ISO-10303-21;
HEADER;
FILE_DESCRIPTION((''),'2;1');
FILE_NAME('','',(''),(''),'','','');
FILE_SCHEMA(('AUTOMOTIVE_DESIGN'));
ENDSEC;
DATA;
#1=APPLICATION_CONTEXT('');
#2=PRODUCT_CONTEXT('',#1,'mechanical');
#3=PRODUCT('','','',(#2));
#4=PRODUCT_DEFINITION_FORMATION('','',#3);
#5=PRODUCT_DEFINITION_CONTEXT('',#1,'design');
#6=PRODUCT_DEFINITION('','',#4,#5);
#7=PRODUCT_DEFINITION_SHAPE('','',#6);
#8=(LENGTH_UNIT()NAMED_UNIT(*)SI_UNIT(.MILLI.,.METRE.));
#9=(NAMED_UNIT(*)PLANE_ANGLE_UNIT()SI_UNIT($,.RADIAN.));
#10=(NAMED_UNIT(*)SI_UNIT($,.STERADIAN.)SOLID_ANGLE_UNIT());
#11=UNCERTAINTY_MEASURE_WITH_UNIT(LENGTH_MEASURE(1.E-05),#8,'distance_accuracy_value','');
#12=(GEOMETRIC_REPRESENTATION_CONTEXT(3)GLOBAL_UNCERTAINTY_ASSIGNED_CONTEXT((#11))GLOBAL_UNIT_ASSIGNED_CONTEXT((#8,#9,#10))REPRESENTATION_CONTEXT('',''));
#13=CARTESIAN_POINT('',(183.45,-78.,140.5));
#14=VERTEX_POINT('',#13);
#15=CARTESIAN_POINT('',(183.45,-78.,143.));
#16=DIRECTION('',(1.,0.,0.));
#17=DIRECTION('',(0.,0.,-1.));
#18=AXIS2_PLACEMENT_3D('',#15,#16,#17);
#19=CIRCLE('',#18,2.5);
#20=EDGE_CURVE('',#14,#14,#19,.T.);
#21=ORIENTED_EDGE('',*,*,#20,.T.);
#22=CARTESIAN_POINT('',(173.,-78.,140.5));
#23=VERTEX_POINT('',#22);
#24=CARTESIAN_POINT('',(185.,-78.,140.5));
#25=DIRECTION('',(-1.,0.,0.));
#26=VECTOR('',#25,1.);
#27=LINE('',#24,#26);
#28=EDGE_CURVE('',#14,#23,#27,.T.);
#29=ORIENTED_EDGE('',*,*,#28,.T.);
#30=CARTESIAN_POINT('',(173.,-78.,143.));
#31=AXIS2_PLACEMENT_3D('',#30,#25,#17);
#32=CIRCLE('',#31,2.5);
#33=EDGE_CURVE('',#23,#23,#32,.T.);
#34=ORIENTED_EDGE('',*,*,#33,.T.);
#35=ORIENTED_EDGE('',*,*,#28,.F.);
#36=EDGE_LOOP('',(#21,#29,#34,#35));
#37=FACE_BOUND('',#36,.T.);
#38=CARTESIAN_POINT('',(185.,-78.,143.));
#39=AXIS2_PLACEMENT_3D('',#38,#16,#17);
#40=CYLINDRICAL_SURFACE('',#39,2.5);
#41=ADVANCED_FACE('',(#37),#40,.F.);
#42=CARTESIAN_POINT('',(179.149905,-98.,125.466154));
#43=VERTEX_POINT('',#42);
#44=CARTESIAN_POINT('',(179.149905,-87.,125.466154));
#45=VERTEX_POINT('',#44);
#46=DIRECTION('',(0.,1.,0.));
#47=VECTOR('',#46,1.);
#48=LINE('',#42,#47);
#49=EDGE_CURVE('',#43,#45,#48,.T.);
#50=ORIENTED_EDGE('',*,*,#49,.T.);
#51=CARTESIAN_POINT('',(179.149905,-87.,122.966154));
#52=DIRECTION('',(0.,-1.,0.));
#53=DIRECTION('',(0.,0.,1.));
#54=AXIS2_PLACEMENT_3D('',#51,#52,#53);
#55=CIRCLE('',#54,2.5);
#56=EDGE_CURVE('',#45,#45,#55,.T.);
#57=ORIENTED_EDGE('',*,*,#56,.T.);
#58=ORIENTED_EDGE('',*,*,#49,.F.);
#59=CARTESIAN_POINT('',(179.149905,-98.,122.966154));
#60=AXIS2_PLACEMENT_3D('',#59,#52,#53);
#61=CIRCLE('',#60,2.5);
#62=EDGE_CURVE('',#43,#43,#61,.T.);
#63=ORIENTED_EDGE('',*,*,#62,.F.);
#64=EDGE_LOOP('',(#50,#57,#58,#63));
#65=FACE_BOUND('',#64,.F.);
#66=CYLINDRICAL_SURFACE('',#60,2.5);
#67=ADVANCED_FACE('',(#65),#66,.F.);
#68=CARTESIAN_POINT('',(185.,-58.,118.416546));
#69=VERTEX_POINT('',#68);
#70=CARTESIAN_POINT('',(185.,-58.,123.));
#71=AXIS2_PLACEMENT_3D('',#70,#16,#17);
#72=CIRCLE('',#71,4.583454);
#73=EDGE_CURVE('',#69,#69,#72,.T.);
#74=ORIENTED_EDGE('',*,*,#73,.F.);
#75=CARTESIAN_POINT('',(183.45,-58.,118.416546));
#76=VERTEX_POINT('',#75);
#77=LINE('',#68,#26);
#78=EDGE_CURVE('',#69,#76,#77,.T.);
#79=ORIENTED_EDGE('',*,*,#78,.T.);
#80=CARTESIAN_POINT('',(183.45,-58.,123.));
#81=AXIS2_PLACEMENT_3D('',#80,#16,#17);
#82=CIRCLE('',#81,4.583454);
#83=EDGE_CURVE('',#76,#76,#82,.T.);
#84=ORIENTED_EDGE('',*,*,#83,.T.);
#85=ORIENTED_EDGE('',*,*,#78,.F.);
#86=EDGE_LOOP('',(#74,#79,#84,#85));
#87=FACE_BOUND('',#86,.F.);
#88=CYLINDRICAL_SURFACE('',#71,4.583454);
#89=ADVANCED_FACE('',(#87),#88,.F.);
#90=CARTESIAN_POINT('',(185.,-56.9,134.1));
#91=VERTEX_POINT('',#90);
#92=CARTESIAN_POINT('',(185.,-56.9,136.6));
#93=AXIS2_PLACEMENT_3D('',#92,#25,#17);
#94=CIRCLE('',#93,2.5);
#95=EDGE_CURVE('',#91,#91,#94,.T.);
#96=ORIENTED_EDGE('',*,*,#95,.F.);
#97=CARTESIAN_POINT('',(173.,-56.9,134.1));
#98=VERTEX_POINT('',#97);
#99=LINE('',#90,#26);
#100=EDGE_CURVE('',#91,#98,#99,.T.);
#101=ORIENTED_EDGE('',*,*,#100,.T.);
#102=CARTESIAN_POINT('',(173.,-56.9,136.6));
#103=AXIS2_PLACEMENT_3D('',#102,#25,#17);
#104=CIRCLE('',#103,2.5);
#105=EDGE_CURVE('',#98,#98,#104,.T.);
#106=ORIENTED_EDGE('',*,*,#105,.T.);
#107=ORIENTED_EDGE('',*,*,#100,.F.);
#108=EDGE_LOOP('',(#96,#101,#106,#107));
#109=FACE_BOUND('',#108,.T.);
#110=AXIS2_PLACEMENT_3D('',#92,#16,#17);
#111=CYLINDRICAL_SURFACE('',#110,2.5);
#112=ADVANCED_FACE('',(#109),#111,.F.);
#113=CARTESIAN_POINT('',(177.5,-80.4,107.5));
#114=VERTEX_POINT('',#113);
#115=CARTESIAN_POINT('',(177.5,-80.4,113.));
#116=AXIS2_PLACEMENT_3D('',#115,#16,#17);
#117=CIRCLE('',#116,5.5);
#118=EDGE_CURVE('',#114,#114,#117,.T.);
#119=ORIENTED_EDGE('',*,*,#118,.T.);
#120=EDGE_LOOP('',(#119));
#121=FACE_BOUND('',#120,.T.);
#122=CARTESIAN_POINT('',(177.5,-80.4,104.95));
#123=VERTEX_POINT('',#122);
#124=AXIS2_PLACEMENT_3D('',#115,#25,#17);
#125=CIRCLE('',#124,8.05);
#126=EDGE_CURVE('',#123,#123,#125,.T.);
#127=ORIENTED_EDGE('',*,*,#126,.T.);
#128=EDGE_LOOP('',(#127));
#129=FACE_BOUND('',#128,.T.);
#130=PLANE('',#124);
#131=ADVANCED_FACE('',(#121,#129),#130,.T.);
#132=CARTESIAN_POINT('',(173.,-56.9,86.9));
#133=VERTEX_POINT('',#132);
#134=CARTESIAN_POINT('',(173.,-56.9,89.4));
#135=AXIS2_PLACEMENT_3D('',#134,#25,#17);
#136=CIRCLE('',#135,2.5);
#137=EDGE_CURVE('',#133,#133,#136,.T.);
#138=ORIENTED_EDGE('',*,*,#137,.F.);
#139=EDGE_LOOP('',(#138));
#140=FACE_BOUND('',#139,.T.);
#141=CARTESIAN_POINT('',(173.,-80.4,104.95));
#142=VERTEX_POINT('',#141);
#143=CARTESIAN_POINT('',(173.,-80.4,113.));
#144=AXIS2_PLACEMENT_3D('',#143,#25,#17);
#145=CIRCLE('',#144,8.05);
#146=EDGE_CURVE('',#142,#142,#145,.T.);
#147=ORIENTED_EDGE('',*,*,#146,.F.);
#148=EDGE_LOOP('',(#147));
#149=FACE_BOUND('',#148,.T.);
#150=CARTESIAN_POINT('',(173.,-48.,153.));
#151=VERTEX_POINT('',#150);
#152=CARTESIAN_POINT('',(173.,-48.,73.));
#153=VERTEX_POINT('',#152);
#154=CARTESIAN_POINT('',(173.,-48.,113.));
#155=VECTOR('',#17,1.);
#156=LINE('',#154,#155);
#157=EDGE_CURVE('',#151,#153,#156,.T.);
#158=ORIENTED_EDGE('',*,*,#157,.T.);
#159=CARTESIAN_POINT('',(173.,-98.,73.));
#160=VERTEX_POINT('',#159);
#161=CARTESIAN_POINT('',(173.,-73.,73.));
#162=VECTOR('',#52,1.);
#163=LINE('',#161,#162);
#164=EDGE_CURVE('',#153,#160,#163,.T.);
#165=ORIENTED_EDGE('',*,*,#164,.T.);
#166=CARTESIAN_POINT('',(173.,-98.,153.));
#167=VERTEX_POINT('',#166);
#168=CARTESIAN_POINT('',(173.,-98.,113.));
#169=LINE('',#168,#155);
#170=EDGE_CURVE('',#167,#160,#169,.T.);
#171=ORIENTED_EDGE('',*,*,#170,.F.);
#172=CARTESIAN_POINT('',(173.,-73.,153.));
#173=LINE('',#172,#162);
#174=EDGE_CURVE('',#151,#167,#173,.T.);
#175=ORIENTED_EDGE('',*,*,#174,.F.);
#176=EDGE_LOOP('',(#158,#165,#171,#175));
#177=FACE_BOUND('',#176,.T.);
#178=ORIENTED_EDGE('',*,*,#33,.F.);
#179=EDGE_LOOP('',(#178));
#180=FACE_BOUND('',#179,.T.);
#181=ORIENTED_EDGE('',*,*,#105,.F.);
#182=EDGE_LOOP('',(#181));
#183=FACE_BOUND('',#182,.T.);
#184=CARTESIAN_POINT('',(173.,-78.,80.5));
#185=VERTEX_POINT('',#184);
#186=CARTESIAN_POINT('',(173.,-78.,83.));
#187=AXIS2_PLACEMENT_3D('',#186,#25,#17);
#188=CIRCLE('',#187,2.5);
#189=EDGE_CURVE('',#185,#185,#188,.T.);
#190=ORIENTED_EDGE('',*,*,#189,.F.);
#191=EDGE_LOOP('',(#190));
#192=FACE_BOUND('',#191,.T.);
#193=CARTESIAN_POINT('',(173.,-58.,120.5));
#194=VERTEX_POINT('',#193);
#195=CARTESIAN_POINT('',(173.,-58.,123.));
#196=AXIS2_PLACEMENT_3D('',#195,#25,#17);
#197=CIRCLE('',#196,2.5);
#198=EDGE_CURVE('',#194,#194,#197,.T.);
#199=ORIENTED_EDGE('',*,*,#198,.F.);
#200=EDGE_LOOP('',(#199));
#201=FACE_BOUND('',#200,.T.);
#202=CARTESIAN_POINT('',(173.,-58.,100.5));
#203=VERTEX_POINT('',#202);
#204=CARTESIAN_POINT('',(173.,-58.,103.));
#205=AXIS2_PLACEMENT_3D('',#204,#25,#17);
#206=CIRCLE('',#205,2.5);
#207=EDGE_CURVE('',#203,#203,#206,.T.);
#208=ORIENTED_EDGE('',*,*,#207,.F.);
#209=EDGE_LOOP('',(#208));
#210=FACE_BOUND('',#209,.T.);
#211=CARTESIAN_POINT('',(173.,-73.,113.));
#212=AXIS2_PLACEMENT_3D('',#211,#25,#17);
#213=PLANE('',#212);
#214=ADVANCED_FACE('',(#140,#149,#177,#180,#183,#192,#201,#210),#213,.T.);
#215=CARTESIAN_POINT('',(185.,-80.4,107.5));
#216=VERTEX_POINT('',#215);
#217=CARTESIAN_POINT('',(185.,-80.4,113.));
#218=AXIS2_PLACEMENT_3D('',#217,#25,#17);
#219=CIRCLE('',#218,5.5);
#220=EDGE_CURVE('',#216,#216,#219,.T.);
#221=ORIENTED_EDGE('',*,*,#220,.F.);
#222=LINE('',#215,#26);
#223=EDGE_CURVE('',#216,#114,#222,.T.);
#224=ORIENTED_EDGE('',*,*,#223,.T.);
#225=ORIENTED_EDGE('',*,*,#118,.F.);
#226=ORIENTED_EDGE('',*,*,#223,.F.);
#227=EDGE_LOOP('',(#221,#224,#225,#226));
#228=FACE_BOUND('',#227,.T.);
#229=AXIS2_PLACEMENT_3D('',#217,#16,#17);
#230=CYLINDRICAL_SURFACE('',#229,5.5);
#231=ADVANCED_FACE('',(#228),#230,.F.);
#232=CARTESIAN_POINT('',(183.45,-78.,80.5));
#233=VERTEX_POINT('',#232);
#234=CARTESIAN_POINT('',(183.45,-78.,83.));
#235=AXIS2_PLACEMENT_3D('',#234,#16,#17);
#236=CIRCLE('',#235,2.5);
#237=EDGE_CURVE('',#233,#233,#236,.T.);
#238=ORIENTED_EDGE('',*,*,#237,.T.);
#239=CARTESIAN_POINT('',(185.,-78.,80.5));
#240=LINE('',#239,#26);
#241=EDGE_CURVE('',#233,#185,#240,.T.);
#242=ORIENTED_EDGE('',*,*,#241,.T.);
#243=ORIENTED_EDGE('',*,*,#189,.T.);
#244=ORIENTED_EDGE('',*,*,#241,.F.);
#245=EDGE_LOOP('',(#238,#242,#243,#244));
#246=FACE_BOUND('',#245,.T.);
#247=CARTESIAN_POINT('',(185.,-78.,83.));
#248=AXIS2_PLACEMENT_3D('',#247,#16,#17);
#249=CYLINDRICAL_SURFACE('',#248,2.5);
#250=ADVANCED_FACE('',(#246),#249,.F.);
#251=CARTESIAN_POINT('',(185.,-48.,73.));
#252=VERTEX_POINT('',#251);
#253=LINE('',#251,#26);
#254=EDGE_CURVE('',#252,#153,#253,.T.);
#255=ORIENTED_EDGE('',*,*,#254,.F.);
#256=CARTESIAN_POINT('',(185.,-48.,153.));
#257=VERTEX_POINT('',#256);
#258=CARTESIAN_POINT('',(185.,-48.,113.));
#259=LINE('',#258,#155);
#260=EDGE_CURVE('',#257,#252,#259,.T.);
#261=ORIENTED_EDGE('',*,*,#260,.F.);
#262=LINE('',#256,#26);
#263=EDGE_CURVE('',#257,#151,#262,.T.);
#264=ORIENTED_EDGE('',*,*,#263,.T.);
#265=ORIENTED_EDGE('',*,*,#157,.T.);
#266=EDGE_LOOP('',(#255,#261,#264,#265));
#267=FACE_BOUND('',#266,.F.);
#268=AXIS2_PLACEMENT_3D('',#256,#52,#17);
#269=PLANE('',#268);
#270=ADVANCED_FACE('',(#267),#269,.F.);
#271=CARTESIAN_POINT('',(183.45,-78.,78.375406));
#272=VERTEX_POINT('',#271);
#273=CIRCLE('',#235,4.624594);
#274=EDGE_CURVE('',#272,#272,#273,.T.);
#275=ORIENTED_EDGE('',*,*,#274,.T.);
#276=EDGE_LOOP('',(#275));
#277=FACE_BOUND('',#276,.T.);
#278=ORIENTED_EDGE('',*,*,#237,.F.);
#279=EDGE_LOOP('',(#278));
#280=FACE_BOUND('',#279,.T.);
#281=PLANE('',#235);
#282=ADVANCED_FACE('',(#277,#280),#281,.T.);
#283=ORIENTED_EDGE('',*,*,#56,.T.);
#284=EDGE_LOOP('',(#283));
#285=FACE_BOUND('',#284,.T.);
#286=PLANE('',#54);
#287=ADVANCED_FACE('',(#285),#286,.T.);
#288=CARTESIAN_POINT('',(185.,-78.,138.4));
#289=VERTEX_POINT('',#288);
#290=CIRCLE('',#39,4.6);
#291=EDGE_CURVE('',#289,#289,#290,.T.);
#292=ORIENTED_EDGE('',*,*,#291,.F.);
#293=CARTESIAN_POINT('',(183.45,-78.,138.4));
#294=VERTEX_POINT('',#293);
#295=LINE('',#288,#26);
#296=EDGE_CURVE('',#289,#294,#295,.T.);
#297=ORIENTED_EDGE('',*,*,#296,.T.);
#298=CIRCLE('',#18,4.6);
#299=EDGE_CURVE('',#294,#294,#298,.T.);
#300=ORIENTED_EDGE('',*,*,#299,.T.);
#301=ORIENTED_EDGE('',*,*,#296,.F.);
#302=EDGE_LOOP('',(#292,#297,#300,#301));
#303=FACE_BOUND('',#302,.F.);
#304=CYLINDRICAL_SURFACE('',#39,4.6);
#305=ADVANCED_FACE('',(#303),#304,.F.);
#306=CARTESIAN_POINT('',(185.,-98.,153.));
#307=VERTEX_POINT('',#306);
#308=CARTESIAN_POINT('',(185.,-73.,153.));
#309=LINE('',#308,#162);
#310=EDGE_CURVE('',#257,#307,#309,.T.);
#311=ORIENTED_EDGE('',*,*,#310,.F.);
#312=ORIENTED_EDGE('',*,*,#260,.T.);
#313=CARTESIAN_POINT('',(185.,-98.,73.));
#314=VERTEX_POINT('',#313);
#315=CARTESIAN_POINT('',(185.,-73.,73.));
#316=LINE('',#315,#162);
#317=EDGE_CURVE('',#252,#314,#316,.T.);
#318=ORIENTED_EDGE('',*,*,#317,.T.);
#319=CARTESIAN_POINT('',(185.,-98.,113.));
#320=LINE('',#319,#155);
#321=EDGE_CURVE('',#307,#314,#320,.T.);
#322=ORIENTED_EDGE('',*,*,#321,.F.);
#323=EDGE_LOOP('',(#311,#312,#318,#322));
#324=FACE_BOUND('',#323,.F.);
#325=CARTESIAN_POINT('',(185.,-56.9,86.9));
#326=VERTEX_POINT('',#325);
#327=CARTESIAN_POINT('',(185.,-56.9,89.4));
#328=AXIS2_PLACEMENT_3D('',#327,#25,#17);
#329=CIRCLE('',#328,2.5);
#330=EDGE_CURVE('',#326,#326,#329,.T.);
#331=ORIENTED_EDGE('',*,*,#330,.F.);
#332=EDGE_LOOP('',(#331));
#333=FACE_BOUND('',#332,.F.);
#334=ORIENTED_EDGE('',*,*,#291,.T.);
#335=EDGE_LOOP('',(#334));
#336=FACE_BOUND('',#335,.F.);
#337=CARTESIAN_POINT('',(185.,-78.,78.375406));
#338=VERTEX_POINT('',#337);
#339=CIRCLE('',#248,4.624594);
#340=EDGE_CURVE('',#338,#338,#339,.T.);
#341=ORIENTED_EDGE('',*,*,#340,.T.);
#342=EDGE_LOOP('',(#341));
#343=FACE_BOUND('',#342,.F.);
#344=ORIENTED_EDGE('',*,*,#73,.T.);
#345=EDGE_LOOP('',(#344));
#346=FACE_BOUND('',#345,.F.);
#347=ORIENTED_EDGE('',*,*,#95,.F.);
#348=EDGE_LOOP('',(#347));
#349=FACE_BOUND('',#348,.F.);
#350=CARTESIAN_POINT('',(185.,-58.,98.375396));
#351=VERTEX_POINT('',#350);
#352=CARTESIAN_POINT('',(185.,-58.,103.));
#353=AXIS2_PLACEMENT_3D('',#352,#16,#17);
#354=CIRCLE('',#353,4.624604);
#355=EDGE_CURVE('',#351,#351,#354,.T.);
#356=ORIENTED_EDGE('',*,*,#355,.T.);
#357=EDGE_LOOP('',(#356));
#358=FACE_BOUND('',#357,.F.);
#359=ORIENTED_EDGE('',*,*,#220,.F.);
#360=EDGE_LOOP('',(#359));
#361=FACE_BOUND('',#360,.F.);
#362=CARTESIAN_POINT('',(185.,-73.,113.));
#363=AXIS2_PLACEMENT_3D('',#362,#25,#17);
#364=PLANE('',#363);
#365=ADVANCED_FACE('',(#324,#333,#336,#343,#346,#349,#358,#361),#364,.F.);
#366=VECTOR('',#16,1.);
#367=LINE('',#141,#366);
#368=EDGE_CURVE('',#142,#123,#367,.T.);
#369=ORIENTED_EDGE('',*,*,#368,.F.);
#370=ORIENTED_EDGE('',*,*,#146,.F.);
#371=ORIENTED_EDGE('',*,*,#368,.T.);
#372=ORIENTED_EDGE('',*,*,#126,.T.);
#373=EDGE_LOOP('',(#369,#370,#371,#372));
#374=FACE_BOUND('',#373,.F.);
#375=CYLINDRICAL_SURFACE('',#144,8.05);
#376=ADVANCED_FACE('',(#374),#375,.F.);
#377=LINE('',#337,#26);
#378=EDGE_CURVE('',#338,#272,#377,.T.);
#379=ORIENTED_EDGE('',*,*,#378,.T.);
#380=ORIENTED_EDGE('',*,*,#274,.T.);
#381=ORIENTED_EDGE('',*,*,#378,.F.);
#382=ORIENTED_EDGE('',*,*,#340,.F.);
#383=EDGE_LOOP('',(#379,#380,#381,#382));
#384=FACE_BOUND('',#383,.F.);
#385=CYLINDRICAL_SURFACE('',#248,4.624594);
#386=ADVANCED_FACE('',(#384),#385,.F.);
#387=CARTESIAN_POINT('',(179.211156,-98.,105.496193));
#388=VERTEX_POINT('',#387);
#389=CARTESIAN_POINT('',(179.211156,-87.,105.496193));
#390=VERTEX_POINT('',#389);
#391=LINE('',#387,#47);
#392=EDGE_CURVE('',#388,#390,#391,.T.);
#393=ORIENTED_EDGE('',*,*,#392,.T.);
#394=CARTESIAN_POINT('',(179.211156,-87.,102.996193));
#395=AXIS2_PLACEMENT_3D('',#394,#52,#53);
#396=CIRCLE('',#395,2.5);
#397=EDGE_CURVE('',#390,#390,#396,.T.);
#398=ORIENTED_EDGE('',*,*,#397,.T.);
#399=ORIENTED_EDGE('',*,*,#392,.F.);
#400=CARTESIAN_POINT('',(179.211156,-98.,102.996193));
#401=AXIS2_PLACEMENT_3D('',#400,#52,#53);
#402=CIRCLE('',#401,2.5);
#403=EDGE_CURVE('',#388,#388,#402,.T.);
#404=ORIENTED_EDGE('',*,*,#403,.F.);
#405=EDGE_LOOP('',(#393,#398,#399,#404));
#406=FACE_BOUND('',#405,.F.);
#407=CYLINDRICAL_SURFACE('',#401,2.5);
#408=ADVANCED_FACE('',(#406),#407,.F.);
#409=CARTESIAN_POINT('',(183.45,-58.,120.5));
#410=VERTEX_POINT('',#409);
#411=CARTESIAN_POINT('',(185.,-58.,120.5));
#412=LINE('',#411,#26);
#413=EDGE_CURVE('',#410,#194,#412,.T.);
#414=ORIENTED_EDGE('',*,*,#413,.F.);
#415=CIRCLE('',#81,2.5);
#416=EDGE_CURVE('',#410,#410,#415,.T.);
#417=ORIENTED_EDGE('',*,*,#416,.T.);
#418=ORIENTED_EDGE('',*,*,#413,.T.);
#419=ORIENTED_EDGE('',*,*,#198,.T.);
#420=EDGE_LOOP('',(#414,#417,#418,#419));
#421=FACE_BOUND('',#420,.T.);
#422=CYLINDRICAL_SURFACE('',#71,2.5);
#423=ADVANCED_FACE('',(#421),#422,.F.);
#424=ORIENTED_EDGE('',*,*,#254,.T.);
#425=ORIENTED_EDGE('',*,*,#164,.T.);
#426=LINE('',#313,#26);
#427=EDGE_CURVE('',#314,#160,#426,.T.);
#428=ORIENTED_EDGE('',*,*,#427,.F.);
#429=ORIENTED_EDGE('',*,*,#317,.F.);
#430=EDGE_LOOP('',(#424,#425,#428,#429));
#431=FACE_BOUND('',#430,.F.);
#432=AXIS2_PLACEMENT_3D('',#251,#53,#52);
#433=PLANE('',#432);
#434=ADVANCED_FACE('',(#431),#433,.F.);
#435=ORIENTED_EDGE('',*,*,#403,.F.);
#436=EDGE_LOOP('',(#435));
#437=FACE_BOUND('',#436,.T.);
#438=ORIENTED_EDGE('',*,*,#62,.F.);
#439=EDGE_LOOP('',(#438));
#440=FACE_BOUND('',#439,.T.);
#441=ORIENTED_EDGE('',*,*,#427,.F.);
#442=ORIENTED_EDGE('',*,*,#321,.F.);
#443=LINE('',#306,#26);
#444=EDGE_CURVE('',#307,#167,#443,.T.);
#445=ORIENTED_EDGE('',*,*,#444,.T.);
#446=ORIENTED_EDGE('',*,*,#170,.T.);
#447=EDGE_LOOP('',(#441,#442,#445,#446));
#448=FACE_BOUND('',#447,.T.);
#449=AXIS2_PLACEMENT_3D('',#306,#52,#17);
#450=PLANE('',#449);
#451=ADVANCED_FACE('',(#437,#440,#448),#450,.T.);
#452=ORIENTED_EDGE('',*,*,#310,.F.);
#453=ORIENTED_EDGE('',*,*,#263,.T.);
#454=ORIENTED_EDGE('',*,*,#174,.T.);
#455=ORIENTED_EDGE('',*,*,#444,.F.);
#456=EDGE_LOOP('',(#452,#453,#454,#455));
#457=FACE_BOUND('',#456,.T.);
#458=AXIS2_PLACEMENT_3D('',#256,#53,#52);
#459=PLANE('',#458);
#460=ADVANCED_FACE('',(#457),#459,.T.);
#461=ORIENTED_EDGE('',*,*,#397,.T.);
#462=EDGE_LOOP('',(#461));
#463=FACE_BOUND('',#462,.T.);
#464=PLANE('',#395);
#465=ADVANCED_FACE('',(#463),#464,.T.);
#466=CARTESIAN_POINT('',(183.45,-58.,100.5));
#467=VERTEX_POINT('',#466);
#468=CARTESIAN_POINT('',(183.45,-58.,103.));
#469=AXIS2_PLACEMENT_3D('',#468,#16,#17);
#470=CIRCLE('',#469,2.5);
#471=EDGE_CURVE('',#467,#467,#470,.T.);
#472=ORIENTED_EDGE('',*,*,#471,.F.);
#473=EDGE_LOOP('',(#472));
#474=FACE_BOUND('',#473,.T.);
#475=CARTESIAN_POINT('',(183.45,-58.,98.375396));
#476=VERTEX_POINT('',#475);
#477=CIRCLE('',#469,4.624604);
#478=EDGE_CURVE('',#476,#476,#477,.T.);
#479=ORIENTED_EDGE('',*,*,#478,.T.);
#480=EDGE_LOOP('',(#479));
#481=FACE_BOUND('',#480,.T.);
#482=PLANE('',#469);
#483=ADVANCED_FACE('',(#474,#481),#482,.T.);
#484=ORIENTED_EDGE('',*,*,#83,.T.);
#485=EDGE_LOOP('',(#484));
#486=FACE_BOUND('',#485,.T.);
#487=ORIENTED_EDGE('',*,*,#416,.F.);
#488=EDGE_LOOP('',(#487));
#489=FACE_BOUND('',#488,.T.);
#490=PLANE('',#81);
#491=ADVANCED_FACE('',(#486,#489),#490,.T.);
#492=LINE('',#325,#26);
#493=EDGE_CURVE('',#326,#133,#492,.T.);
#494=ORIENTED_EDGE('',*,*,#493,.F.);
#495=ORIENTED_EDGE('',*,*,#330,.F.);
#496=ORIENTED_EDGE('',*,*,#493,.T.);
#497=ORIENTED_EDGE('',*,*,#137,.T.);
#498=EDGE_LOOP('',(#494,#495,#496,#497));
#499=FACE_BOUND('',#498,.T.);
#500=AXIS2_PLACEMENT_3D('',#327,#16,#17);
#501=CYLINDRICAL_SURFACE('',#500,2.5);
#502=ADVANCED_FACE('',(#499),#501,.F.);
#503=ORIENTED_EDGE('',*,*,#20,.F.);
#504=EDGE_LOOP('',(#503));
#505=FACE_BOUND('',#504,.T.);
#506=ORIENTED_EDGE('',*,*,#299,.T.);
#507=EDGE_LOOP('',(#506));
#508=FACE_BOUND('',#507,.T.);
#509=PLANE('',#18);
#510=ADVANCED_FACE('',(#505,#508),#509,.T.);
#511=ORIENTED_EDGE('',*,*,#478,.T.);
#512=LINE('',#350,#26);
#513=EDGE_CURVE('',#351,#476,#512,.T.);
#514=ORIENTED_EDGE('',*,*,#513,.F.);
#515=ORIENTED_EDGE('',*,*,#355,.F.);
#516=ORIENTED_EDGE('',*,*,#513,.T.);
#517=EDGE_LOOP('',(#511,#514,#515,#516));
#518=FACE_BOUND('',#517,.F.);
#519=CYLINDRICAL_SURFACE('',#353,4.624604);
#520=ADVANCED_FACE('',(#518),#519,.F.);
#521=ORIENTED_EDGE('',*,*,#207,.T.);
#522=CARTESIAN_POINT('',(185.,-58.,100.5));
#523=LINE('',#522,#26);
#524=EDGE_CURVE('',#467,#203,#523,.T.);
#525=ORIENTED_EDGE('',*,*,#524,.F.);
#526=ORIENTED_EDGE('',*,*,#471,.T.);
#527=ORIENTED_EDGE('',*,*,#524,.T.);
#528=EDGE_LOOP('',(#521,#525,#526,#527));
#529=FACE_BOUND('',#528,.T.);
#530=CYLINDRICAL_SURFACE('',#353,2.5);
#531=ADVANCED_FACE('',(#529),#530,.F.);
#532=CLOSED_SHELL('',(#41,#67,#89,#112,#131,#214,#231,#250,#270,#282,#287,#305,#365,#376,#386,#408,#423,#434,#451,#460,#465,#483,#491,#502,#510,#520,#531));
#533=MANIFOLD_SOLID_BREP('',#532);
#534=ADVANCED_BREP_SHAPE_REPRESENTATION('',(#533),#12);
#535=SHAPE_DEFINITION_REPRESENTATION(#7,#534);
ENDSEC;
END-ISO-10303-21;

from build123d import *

# Parameters (mm, degrees)
SKETCH014_W     = 80
SKETCH014_H     = 50
SKETCH014_R     = 2.5
SKETCH014_R_2   = 5.5
PAD003_DEPTH    = 12
SKETCH015_R     = 2.5
POCKET009_DEPTH = 11
SKETCH016_R     = 8.05
POCKET010_DEPTH = 4.5
SKETCH017_R     = 4.6
SKETCH017_R_2   = 4.624594
SKETCH017_R_3   = 4.583454
SKETCH017_R_4   = 4.624604
POCKET011_DEPTH = 1.55


with BuildPart() as part:
    # Sketch014 → Pad003 (new body)
    with BuildSketch(Plane(origin=(185, -48, 153), x_dir=(0, 0, -1), z_dir=(-1, 0, 0))):
        with Locations((40, 25)):
            Rectangle(SKETCH014_W, SKETCH014_H)
        with Locations((10, 30)):
            Circle(SKETCH014_R, mode=Mode.SUBTRACT)
        with Locations((30, 10)):
            Circle(SKETCH014_R, mode=Mode.SUBTRACT)
        with Locations((16.4, 8.9)):
            Circle(SKETCH014_R, mode=Mode.SUBTRACT)
        with Locations((50, 10)):
            Circle(SKETCH014_R, mode=Mode.SUBTRACT)
        with Locations((63.6, 8.9)):
            Circle(SKETCH014_R, mode=Mode.SUBTRACT)
        with Locations((70, 30)):
            Circle(SKETCH014_R, mode=Mode.SUBTRACT)
        with Locations((40, 32.4)):
            Circle(SKETCH014_R_2, mode=Mode.SUBTRACT)
    extrude(amount=PAD003_DEPTH)

    # Sketch015 → Pocket009 (cut)
    with BuildSketch(Plane(origin=(185, -98, 153), x_dir=(0, 0, 1), z_dir=(0, -1, 0))):
        with Locations((-30.033846, 5.850095)):
            Circle(SKETCH015_R)
        with Locations((-50.003807, 5.788844)):
            Circle(SKETCH015_R)
    extrude(amount=-POCKET009_DEPTH, mode=Mode.SUBTRACT)

    # Sketch016 → Pocket010 (cut)
    with BuildSketch(Plane(origin=(173, -48, 153), x_dir=(0, 0, -1), z_dir=(-1, 0, 0))):
        with Locations((40, 32.4)):
            Circle(SKETCH016_R)
    extrude(amount=-POCKET010_DEPTH, mode=Mode.SUBTRACT)

    # Sketch017 → Pocket011 (cut)
    with BuildSketch(Plane(origin=(185, -48, 153), x_dir=(0, 0, -1), z_dir=(1, 0, 0))):
        with Locations((10, -30)):
            Circle(SKETCH017_R)
        with Locations((70, -30)):
            Circle(SKETCH017_R_2)
        with Locations((30, -10)):
            Circle(SKETCH017_R_3)
        with Locations((50, -10)):
            Circle(SKETCH017_R_4)
    extrude(amount=-POCKET011_DEPTH, mode=Mode.SUBTRACT)


solid = part.part
